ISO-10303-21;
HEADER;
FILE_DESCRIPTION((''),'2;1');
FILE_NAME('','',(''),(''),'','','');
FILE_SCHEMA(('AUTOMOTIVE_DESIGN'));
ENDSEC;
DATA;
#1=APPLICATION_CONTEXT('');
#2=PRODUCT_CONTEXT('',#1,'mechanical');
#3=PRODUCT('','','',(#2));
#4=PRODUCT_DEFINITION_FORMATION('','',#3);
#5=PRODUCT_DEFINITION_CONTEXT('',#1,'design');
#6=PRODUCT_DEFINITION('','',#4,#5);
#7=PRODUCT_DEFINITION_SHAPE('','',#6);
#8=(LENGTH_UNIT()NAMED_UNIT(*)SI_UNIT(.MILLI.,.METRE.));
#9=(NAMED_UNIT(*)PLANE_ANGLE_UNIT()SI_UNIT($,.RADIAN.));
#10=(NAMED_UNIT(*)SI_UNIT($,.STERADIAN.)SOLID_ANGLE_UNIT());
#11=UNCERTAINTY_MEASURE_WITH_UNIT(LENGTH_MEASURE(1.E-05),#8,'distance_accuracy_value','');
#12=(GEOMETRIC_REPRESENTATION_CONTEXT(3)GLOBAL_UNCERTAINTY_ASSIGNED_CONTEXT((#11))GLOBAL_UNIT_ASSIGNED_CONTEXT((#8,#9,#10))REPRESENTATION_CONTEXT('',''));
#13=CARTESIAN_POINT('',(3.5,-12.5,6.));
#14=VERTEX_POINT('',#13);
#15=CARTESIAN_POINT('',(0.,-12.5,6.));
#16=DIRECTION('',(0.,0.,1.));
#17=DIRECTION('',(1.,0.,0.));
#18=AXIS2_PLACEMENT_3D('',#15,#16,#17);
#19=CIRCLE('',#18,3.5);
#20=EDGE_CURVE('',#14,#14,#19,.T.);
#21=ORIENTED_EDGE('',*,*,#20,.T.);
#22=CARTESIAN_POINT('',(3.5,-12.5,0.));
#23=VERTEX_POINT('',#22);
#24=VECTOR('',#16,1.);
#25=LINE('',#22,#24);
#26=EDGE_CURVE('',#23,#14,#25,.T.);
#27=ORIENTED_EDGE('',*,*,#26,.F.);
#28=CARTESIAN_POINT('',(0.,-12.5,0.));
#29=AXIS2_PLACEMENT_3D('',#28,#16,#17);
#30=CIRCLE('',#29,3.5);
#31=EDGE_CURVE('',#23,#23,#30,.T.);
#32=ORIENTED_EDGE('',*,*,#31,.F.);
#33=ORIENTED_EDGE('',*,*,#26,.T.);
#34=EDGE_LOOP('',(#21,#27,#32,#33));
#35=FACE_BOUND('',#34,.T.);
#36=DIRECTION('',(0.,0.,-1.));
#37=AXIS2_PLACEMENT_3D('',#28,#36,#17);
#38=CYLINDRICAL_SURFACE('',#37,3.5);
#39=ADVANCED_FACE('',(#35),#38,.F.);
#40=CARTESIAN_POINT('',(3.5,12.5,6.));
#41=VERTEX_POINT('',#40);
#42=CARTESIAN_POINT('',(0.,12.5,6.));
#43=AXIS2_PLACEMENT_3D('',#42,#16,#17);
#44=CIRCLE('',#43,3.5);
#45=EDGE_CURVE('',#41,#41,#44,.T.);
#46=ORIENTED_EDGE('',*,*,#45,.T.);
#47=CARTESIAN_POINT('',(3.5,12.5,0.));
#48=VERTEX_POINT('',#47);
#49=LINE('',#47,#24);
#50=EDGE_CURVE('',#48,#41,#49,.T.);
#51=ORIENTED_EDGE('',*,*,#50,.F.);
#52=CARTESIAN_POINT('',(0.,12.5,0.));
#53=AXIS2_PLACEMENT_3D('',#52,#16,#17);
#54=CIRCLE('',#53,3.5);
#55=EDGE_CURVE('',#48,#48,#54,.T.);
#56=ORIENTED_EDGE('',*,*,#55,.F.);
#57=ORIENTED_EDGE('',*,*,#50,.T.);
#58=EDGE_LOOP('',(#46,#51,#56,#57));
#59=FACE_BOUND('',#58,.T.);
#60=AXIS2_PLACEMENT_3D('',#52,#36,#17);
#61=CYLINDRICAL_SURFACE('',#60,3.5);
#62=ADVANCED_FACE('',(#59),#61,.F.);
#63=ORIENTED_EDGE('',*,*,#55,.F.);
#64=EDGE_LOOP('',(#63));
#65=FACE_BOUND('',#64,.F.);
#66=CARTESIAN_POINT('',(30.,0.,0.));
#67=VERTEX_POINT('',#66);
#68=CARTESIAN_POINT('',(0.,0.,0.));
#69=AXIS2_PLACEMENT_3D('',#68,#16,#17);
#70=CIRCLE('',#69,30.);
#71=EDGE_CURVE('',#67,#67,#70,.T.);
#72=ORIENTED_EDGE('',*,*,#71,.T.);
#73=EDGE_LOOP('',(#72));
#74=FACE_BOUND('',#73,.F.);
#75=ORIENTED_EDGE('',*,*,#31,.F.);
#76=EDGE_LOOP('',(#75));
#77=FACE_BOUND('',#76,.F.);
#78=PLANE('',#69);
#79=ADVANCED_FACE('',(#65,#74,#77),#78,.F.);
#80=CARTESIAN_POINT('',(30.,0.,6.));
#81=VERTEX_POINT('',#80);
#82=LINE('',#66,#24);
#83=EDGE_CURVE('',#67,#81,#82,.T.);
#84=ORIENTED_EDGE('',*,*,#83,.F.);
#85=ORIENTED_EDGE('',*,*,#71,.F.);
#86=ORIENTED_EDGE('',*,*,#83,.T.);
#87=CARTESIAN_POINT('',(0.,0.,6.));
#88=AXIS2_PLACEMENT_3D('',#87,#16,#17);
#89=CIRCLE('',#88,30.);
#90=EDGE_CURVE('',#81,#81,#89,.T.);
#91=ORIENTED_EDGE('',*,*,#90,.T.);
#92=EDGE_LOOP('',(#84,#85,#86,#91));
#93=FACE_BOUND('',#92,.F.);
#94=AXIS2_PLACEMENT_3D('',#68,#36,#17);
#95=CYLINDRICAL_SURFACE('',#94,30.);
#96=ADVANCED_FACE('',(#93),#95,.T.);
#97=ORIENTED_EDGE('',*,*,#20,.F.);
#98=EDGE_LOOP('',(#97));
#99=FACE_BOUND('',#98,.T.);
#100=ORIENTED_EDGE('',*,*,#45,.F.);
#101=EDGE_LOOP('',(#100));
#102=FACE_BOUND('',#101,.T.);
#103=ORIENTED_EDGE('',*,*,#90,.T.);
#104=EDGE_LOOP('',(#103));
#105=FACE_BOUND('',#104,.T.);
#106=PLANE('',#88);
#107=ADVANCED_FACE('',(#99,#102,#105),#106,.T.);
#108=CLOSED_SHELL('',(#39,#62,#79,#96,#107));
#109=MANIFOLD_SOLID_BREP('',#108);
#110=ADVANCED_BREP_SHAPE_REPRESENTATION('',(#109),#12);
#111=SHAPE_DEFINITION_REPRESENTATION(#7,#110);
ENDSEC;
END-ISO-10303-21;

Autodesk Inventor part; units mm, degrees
ref_plane "YZ Plane" through (0, 0, 0) normal (1, 0, 0) x (0, 1, 0)
ref_plane "XZ Plane" through (0, 0, 0) normal (0, 1, 0) x (-1, 0, 0)
ref_plane "XY Plane" through (0, 0, 0) normal (0, 0, 1) x (1, 0, 0)
sketch "草图1" plane through (0, 0, 0) normal (0, 0, 1) x (1, 0, 0)
  circle A0 centre (0, 0) radius 30
  line L0 (0, -42) -> (0, 42) construction
  circle A1 centre (0, 12.5) radius 3.5
  circle A2 centre (0, -12.5) radius 3.5
  line L1 (-42, 0) -> (42, 0) construction
  dimension "d0" = 60
  dimension "d1" = 7
  dimension "d2" = 7
  dimension "d3" = 25
extrude "拉伸1" add sketch "草图1" along normal blind 6
properties part number "轴端挡圈"
